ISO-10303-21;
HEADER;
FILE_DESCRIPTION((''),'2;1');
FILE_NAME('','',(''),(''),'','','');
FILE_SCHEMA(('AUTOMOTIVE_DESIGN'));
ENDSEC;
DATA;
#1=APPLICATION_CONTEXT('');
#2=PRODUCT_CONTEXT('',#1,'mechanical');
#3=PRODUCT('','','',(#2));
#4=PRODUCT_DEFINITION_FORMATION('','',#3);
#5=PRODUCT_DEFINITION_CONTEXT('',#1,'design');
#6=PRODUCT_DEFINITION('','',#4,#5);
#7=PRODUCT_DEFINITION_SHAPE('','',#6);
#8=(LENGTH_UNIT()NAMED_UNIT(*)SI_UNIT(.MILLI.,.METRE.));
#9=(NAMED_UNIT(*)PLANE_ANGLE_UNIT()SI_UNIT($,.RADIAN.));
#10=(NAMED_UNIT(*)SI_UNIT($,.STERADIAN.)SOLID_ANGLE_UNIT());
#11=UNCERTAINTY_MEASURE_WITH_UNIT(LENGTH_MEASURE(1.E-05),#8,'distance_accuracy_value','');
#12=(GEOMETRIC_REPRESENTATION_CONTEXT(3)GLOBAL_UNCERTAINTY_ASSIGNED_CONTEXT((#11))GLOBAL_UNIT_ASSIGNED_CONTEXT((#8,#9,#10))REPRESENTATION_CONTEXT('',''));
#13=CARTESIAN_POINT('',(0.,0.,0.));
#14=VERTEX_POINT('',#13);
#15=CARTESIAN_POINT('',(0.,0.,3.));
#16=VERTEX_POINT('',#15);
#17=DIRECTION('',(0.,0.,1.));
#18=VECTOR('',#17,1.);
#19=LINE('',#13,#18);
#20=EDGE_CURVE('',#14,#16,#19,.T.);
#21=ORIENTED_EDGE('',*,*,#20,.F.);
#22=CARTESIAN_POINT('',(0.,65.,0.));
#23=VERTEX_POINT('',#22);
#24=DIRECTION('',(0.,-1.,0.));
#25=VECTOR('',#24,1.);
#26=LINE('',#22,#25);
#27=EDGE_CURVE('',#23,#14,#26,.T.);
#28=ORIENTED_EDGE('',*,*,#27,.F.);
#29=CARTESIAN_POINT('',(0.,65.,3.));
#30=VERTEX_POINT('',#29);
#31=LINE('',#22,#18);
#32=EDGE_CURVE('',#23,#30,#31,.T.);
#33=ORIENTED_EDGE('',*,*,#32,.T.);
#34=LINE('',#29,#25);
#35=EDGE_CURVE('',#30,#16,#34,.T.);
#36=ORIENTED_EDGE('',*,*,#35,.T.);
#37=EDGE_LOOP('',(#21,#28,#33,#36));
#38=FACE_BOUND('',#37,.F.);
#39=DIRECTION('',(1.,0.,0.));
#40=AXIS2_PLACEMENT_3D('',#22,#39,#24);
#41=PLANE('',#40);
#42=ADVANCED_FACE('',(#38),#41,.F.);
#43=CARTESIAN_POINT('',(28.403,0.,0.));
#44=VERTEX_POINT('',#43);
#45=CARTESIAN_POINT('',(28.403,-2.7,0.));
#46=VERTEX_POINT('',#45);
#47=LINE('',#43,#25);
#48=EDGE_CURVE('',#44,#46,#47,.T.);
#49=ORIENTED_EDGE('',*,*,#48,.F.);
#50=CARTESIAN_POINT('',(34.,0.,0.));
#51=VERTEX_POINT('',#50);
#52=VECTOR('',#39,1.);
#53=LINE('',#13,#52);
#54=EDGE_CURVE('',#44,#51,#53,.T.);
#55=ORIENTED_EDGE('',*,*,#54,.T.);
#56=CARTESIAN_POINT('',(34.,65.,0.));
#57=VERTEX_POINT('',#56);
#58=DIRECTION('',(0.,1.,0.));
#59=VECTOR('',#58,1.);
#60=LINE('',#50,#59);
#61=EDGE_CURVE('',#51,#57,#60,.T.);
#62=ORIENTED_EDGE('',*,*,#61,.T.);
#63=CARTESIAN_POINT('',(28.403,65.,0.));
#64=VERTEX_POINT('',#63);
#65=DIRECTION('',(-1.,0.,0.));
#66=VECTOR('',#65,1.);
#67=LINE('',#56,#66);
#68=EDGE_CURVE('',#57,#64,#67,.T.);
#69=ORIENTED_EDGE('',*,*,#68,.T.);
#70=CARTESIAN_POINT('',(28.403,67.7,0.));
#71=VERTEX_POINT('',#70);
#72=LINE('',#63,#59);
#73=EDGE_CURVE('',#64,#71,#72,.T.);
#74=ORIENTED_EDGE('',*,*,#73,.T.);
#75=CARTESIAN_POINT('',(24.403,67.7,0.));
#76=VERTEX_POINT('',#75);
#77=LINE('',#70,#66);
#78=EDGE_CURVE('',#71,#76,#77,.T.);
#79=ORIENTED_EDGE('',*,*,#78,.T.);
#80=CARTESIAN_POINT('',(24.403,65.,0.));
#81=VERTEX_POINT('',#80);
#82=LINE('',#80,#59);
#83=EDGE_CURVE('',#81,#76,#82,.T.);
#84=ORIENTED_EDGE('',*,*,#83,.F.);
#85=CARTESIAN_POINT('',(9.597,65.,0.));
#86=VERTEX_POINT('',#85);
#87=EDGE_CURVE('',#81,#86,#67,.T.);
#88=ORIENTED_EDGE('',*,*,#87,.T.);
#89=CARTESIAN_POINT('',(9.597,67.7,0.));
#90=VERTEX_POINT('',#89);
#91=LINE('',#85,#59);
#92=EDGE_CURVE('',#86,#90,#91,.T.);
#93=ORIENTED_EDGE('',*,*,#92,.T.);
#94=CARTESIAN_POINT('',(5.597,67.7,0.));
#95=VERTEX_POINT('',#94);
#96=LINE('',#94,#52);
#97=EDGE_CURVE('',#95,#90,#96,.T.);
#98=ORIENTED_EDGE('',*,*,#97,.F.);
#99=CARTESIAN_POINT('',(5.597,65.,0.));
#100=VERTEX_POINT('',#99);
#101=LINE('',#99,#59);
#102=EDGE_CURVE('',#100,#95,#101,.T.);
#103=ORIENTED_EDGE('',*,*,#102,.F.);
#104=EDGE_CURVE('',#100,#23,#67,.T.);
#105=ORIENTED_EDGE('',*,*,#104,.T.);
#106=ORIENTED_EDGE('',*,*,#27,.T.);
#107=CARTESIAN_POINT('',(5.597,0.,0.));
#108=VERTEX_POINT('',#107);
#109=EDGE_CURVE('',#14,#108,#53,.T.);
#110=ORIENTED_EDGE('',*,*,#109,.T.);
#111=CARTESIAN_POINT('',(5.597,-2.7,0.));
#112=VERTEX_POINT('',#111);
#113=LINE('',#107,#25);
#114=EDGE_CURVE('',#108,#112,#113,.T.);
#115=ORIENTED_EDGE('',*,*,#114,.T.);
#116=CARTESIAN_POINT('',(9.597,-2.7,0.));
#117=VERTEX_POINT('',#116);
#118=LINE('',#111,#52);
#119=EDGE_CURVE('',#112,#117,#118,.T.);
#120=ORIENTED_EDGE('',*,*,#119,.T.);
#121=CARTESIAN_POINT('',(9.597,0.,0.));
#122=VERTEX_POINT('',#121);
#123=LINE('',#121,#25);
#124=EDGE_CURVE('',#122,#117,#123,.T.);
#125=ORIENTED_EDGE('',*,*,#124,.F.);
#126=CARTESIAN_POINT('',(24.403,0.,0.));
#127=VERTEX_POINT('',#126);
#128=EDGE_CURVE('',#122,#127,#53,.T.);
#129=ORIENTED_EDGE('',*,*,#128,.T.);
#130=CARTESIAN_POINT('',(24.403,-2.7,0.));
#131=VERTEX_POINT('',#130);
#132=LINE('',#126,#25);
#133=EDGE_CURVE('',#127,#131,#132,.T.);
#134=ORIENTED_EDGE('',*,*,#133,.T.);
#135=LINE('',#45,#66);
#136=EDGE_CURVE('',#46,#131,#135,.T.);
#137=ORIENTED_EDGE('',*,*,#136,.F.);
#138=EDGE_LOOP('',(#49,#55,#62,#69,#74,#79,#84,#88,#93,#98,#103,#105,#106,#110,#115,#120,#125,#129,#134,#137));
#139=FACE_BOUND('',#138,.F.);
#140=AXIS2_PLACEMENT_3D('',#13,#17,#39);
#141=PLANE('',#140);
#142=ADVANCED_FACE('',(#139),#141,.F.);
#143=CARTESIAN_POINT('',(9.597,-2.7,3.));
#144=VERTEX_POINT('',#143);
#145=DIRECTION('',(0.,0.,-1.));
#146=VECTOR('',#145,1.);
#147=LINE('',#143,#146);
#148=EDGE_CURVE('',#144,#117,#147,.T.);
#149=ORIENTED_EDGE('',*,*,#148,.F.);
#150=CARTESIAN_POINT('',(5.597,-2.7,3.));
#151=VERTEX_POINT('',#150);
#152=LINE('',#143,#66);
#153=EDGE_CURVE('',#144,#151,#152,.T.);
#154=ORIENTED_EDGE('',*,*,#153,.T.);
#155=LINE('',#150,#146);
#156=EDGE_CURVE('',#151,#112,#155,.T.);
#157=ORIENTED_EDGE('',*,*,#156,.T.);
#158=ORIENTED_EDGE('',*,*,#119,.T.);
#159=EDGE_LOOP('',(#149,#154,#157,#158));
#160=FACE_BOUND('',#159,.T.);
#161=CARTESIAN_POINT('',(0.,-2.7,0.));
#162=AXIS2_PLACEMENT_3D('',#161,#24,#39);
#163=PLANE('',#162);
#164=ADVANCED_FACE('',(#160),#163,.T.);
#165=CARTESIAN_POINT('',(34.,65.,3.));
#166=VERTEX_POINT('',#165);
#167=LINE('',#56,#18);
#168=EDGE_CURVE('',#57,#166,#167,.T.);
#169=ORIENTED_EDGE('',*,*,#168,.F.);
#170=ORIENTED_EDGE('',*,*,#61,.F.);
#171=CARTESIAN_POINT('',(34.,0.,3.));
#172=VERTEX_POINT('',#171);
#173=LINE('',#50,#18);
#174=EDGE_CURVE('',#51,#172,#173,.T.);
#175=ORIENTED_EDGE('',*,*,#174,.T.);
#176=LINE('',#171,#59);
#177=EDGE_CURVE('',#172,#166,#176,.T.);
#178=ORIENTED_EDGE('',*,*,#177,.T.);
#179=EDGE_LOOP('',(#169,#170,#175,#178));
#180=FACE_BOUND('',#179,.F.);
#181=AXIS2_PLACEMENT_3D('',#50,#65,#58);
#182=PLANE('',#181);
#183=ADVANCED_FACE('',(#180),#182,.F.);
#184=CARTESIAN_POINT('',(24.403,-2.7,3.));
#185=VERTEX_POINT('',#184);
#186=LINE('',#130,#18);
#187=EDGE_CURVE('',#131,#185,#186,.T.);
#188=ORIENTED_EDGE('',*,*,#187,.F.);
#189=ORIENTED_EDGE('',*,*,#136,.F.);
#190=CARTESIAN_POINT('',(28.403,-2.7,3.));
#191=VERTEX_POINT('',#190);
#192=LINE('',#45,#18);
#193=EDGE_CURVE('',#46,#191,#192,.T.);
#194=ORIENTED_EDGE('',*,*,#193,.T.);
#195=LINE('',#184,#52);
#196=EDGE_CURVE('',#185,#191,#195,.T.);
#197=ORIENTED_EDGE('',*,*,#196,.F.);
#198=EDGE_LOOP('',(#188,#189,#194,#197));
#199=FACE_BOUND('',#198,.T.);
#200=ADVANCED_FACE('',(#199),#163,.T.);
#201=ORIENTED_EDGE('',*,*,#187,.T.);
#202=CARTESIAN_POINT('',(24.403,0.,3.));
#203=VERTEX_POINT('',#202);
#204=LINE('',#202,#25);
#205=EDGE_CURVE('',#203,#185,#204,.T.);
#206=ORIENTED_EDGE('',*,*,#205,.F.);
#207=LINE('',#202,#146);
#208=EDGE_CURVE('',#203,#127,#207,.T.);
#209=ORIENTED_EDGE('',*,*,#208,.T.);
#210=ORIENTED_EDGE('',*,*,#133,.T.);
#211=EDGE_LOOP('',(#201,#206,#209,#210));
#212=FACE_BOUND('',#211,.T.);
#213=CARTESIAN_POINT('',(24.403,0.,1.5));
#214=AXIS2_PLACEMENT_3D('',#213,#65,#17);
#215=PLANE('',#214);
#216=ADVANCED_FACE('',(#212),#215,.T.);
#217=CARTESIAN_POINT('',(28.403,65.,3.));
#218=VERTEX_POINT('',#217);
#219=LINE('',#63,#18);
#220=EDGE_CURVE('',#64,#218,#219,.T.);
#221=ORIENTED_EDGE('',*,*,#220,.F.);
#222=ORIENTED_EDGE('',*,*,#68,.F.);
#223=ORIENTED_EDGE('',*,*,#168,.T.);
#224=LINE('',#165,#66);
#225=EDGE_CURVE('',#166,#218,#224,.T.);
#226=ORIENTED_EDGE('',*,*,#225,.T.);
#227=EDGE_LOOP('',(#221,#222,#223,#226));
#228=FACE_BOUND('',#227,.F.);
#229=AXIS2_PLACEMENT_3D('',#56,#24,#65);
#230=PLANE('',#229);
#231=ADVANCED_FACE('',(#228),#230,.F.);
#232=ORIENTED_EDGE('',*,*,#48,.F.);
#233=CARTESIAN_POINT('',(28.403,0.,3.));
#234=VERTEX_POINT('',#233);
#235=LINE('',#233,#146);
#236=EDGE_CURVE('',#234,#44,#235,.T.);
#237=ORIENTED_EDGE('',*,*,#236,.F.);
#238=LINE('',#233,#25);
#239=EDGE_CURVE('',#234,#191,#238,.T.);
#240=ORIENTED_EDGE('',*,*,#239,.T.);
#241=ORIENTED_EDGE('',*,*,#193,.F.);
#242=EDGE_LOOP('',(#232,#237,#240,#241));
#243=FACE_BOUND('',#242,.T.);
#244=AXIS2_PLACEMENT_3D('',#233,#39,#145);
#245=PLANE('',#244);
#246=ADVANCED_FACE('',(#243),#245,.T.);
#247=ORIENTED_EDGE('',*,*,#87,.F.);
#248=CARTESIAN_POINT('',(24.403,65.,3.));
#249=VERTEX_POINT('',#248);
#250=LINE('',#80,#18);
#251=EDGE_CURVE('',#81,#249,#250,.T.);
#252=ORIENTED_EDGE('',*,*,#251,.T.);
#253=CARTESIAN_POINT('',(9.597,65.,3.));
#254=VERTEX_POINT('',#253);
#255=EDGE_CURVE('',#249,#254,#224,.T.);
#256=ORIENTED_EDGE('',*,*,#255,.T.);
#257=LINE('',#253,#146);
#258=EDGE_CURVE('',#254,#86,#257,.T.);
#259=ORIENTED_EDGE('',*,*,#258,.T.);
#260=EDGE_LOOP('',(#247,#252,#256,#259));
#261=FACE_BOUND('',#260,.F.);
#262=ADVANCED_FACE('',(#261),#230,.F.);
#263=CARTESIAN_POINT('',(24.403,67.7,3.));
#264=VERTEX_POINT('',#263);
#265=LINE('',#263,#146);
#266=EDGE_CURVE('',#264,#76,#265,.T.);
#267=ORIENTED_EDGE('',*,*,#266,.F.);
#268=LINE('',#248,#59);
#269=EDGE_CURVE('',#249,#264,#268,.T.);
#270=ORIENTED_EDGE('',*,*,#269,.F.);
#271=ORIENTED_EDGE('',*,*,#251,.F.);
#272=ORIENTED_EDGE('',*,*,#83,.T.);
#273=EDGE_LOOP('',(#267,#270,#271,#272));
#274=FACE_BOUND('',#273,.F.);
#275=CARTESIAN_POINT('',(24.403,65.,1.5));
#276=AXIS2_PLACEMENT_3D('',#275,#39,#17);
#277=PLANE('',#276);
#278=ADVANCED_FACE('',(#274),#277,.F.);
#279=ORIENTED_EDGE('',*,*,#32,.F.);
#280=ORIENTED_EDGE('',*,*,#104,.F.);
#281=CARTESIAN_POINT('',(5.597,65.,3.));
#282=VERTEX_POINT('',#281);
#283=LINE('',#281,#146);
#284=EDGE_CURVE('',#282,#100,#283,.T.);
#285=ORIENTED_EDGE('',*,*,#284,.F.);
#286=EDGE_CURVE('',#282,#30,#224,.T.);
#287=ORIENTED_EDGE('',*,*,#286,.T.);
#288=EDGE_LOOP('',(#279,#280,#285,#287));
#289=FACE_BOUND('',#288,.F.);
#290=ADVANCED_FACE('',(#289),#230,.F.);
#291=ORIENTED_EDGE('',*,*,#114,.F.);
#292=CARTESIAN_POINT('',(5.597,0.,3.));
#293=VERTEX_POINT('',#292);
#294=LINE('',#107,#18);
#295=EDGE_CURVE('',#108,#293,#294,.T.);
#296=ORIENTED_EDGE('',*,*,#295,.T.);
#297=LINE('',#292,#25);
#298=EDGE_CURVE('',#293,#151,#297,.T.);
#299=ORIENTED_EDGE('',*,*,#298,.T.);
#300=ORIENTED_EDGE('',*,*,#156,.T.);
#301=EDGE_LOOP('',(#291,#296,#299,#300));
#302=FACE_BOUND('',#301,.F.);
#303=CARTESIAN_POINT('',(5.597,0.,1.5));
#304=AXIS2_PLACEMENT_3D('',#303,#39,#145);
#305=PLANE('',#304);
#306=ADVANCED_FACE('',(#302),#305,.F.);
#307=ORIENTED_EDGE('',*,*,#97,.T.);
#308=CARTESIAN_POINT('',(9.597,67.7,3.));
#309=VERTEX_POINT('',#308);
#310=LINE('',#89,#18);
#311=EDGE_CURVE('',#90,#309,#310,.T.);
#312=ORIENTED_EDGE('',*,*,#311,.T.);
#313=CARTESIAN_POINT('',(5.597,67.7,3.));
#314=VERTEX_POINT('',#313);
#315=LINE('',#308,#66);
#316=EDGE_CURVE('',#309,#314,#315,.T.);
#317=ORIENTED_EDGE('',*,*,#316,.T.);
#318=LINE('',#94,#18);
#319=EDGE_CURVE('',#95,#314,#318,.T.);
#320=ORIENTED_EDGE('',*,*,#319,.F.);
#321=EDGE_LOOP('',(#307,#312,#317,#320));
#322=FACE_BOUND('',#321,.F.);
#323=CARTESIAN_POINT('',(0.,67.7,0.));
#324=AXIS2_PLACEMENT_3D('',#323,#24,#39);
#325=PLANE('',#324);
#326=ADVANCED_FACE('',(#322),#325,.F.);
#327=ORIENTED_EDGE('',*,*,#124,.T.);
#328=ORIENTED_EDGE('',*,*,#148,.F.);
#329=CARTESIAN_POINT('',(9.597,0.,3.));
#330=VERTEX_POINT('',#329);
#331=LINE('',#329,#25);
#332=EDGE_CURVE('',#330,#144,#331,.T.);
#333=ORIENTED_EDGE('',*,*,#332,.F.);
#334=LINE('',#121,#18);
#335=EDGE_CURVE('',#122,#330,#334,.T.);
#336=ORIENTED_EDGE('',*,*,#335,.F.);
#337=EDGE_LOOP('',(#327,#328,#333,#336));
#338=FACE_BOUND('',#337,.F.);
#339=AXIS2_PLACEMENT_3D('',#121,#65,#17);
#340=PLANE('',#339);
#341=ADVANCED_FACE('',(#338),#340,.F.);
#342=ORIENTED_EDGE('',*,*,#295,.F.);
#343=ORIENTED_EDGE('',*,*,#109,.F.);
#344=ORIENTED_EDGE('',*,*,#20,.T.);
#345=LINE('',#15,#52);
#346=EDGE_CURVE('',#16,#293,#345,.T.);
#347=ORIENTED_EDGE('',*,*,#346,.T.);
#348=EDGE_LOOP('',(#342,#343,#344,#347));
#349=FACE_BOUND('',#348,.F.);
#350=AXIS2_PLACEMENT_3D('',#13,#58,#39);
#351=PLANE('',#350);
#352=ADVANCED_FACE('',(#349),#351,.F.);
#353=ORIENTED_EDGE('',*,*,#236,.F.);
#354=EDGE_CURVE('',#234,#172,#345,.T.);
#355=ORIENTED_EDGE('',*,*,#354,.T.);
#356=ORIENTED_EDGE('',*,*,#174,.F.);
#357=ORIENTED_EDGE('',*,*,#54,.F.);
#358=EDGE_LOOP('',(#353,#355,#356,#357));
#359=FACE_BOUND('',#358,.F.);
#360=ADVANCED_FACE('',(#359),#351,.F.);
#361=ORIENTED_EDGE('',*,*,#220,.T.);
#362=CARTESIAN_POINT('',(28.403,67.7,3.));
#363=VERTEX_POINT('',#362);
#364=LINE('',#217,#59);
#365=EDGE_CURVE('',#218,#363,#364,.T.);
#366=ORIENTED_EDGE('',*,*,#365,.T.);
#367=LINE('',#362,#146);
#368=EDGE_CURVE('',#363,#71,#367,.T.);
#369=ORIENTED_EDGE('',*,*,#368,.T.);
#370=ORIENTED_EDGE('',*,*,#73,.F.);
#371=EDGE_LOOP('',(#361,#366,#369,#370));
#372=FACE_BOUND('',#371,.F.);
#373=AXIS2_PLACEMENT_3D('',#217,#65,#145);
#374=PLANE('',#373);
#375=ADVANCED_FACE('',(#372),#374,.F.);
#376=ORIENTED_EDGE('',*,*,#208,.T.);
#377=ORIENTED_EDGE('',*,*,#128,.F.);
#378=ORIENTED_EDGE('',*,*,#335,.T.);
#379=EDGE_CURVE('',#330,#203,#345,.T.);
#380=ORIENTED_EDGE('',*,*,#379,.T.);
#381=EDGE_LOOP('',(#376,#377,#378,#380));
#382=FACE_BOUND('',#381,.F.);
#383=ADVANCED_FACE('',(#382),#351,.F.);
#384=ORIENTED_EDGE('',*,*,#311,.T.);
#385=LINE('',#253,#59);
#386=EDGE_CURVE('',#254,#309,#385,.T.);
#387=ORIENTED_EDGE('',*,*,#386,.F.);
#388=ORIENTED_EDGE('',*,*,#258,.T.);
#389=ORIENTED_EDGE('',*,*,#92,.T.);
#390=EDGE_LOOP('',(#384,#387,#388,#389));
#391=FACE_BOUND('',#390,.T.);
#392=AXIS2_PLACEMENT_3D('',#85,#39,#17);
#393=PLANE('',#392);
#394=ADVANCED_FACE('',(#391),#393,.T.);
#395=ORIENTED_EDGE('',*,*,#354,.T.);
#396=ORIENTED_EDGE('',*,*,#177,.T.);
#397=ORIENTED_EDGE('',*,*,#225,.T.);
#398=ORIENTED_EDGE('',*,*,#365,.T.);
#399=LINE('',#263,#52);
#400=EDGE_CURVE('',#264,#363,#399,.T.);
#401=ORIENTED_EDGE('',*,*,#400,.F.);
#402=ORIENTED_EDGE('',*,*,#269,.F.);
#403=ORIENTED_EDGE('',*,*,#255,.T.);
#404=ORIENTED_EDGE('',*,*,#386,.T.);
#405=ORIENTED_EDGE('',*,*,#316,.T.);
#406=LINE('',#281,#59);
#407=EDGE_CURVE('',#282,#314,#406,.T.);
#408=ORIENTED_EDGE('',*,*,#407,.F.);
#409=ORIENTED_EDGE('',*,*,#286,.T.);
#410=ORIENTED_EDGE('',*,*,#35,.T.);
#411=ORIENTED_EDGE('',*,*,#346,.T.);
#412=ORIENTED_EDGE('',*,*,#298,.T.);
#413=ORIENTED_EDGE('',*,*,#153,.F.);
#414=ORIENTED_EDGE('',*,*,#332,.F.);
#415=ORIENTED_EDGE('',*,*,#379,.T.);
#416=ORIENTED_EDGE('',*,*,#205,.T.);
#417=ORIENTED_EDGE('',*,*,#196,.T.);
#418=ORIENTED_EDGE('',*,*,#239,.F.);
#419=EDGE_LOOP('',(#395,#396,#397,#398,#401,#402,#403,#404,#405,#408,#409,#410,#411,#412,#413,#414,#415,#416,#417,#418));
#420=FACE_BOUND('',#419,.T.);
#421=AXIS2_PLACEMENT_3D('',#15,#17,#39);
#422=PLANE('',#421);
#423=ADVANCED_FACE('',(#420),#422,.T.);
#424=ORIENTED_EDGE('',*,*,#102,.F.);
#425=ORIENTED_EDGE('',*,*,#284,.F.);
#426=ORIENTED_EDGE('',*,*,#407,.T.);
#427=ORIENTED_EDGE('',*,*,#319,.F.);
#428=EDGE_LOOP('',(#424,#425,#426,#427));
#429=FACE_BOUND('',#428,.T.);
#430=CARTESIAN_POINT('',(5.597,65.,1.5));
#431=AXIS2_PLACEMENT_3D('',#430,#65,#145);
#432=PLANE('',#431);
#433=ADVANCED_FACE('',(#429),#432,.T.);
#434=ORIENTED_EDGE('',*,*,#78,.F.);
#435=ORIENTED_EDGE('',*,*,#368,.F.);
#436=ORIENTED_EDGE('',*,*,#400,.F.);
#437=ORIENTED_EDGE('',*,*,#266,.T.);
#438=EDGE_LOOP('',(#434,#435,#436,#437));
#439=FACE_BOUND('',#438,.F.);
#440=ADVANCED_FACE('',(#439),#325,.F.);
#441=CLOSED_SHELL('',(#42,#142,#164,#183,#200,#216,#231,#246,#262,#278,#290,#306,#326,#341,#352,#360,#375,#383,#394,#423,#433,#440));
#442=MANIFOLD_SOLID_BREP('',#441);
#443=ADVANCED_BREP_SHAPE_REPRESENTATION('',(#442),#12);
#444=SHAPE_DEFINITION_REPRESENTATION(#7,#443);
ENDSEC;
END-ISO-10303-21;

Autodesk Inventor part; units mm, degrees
ref_plane "YZ Plane" through (0, 0, 0) normal (1, 0, 0) x (0, 1, 0)
ref_plane "XZ Plane" through (0, 0, 0) normal (0, 1, 0) x (-1, 0, 0)
ref_plane "XY Plane" through (0, 0, 0) normal (0, 0, 1) x (1, 0, 0)
sketch "Sketch1" plane through (0, 0, 0) normal (0, 0, 1) x (1, 0, 0)
  line L0 (0, 0) -> (34, 0)
  line L1 (34, 0) -> (34, 65)
  line L2 (34, 65) -> (0, 65)
  line L3 (0, 65) -> (0, 0)
  dimension "d0" = 34
  dimension "d1" = 65
  dimension "d2" = 34
extrude "Extrusion1" add sketch "Sketch1" along normal blind 3
sketch "Sketch2" plane through (0, 0, 0) normal (0, -1, 0) x (1, 0, 0)
  point P0 (0, 0)
sketch "Sketch3" plane through (0, 0, 0) normal (0, -1, 0) x (1, 0, 0)
  line L0 (0, 0) -> (0, 3) projected
  line L1 (0, 1.5) -> (34, 1.5)
  line L2 (34, 0) -> (34, 3) projected
  line L3 (17, 1.5) -> (9.597, 1.5)
  line L4 (9.597, 1.5) -> (9.597, 3)
  line L5 (9.597, 3) -> (5.597, 3)
  line L6 (5.597, 3) -> (5.597, 0)
  line L7 (5.597, 0) -> (9.597, 0)
  line L8 (9.597, 0) -> (9.597, 1.5)
  line L9 (17, 1.5) -> (24.403, 1.5)
  line L10 (24.403, 1.5) -> (24.403, 3)
  line L11 (24.403, 3) -> (28.403, 3)
  line L12 (28.403, 3) -> (28.403, 0)
  line L13 (28.403, 0) -> (24.403, 0)
  line L14 (24.403, 0) -> (24.403, 1.5)
  dimension "d5" = 7.403
  dimension "d6" = 1.5
  dimension "d7" = 4
  dimension "d10" = 4
  dimension "d11" = 7.403
  dimension "d12" = 1.5
  dimension "d13" = 4
  dimension "d14" = 3
  dimension "d15" = 4
extrude "Extrusion2" add sketch "Sketch3" along normal blind 2.7
extrude "Extrusion3" add sketch "Sketch3" against normal blind 2.7 from surface at -65
properties part number "carcasa_piezaLateral_ruedas"
